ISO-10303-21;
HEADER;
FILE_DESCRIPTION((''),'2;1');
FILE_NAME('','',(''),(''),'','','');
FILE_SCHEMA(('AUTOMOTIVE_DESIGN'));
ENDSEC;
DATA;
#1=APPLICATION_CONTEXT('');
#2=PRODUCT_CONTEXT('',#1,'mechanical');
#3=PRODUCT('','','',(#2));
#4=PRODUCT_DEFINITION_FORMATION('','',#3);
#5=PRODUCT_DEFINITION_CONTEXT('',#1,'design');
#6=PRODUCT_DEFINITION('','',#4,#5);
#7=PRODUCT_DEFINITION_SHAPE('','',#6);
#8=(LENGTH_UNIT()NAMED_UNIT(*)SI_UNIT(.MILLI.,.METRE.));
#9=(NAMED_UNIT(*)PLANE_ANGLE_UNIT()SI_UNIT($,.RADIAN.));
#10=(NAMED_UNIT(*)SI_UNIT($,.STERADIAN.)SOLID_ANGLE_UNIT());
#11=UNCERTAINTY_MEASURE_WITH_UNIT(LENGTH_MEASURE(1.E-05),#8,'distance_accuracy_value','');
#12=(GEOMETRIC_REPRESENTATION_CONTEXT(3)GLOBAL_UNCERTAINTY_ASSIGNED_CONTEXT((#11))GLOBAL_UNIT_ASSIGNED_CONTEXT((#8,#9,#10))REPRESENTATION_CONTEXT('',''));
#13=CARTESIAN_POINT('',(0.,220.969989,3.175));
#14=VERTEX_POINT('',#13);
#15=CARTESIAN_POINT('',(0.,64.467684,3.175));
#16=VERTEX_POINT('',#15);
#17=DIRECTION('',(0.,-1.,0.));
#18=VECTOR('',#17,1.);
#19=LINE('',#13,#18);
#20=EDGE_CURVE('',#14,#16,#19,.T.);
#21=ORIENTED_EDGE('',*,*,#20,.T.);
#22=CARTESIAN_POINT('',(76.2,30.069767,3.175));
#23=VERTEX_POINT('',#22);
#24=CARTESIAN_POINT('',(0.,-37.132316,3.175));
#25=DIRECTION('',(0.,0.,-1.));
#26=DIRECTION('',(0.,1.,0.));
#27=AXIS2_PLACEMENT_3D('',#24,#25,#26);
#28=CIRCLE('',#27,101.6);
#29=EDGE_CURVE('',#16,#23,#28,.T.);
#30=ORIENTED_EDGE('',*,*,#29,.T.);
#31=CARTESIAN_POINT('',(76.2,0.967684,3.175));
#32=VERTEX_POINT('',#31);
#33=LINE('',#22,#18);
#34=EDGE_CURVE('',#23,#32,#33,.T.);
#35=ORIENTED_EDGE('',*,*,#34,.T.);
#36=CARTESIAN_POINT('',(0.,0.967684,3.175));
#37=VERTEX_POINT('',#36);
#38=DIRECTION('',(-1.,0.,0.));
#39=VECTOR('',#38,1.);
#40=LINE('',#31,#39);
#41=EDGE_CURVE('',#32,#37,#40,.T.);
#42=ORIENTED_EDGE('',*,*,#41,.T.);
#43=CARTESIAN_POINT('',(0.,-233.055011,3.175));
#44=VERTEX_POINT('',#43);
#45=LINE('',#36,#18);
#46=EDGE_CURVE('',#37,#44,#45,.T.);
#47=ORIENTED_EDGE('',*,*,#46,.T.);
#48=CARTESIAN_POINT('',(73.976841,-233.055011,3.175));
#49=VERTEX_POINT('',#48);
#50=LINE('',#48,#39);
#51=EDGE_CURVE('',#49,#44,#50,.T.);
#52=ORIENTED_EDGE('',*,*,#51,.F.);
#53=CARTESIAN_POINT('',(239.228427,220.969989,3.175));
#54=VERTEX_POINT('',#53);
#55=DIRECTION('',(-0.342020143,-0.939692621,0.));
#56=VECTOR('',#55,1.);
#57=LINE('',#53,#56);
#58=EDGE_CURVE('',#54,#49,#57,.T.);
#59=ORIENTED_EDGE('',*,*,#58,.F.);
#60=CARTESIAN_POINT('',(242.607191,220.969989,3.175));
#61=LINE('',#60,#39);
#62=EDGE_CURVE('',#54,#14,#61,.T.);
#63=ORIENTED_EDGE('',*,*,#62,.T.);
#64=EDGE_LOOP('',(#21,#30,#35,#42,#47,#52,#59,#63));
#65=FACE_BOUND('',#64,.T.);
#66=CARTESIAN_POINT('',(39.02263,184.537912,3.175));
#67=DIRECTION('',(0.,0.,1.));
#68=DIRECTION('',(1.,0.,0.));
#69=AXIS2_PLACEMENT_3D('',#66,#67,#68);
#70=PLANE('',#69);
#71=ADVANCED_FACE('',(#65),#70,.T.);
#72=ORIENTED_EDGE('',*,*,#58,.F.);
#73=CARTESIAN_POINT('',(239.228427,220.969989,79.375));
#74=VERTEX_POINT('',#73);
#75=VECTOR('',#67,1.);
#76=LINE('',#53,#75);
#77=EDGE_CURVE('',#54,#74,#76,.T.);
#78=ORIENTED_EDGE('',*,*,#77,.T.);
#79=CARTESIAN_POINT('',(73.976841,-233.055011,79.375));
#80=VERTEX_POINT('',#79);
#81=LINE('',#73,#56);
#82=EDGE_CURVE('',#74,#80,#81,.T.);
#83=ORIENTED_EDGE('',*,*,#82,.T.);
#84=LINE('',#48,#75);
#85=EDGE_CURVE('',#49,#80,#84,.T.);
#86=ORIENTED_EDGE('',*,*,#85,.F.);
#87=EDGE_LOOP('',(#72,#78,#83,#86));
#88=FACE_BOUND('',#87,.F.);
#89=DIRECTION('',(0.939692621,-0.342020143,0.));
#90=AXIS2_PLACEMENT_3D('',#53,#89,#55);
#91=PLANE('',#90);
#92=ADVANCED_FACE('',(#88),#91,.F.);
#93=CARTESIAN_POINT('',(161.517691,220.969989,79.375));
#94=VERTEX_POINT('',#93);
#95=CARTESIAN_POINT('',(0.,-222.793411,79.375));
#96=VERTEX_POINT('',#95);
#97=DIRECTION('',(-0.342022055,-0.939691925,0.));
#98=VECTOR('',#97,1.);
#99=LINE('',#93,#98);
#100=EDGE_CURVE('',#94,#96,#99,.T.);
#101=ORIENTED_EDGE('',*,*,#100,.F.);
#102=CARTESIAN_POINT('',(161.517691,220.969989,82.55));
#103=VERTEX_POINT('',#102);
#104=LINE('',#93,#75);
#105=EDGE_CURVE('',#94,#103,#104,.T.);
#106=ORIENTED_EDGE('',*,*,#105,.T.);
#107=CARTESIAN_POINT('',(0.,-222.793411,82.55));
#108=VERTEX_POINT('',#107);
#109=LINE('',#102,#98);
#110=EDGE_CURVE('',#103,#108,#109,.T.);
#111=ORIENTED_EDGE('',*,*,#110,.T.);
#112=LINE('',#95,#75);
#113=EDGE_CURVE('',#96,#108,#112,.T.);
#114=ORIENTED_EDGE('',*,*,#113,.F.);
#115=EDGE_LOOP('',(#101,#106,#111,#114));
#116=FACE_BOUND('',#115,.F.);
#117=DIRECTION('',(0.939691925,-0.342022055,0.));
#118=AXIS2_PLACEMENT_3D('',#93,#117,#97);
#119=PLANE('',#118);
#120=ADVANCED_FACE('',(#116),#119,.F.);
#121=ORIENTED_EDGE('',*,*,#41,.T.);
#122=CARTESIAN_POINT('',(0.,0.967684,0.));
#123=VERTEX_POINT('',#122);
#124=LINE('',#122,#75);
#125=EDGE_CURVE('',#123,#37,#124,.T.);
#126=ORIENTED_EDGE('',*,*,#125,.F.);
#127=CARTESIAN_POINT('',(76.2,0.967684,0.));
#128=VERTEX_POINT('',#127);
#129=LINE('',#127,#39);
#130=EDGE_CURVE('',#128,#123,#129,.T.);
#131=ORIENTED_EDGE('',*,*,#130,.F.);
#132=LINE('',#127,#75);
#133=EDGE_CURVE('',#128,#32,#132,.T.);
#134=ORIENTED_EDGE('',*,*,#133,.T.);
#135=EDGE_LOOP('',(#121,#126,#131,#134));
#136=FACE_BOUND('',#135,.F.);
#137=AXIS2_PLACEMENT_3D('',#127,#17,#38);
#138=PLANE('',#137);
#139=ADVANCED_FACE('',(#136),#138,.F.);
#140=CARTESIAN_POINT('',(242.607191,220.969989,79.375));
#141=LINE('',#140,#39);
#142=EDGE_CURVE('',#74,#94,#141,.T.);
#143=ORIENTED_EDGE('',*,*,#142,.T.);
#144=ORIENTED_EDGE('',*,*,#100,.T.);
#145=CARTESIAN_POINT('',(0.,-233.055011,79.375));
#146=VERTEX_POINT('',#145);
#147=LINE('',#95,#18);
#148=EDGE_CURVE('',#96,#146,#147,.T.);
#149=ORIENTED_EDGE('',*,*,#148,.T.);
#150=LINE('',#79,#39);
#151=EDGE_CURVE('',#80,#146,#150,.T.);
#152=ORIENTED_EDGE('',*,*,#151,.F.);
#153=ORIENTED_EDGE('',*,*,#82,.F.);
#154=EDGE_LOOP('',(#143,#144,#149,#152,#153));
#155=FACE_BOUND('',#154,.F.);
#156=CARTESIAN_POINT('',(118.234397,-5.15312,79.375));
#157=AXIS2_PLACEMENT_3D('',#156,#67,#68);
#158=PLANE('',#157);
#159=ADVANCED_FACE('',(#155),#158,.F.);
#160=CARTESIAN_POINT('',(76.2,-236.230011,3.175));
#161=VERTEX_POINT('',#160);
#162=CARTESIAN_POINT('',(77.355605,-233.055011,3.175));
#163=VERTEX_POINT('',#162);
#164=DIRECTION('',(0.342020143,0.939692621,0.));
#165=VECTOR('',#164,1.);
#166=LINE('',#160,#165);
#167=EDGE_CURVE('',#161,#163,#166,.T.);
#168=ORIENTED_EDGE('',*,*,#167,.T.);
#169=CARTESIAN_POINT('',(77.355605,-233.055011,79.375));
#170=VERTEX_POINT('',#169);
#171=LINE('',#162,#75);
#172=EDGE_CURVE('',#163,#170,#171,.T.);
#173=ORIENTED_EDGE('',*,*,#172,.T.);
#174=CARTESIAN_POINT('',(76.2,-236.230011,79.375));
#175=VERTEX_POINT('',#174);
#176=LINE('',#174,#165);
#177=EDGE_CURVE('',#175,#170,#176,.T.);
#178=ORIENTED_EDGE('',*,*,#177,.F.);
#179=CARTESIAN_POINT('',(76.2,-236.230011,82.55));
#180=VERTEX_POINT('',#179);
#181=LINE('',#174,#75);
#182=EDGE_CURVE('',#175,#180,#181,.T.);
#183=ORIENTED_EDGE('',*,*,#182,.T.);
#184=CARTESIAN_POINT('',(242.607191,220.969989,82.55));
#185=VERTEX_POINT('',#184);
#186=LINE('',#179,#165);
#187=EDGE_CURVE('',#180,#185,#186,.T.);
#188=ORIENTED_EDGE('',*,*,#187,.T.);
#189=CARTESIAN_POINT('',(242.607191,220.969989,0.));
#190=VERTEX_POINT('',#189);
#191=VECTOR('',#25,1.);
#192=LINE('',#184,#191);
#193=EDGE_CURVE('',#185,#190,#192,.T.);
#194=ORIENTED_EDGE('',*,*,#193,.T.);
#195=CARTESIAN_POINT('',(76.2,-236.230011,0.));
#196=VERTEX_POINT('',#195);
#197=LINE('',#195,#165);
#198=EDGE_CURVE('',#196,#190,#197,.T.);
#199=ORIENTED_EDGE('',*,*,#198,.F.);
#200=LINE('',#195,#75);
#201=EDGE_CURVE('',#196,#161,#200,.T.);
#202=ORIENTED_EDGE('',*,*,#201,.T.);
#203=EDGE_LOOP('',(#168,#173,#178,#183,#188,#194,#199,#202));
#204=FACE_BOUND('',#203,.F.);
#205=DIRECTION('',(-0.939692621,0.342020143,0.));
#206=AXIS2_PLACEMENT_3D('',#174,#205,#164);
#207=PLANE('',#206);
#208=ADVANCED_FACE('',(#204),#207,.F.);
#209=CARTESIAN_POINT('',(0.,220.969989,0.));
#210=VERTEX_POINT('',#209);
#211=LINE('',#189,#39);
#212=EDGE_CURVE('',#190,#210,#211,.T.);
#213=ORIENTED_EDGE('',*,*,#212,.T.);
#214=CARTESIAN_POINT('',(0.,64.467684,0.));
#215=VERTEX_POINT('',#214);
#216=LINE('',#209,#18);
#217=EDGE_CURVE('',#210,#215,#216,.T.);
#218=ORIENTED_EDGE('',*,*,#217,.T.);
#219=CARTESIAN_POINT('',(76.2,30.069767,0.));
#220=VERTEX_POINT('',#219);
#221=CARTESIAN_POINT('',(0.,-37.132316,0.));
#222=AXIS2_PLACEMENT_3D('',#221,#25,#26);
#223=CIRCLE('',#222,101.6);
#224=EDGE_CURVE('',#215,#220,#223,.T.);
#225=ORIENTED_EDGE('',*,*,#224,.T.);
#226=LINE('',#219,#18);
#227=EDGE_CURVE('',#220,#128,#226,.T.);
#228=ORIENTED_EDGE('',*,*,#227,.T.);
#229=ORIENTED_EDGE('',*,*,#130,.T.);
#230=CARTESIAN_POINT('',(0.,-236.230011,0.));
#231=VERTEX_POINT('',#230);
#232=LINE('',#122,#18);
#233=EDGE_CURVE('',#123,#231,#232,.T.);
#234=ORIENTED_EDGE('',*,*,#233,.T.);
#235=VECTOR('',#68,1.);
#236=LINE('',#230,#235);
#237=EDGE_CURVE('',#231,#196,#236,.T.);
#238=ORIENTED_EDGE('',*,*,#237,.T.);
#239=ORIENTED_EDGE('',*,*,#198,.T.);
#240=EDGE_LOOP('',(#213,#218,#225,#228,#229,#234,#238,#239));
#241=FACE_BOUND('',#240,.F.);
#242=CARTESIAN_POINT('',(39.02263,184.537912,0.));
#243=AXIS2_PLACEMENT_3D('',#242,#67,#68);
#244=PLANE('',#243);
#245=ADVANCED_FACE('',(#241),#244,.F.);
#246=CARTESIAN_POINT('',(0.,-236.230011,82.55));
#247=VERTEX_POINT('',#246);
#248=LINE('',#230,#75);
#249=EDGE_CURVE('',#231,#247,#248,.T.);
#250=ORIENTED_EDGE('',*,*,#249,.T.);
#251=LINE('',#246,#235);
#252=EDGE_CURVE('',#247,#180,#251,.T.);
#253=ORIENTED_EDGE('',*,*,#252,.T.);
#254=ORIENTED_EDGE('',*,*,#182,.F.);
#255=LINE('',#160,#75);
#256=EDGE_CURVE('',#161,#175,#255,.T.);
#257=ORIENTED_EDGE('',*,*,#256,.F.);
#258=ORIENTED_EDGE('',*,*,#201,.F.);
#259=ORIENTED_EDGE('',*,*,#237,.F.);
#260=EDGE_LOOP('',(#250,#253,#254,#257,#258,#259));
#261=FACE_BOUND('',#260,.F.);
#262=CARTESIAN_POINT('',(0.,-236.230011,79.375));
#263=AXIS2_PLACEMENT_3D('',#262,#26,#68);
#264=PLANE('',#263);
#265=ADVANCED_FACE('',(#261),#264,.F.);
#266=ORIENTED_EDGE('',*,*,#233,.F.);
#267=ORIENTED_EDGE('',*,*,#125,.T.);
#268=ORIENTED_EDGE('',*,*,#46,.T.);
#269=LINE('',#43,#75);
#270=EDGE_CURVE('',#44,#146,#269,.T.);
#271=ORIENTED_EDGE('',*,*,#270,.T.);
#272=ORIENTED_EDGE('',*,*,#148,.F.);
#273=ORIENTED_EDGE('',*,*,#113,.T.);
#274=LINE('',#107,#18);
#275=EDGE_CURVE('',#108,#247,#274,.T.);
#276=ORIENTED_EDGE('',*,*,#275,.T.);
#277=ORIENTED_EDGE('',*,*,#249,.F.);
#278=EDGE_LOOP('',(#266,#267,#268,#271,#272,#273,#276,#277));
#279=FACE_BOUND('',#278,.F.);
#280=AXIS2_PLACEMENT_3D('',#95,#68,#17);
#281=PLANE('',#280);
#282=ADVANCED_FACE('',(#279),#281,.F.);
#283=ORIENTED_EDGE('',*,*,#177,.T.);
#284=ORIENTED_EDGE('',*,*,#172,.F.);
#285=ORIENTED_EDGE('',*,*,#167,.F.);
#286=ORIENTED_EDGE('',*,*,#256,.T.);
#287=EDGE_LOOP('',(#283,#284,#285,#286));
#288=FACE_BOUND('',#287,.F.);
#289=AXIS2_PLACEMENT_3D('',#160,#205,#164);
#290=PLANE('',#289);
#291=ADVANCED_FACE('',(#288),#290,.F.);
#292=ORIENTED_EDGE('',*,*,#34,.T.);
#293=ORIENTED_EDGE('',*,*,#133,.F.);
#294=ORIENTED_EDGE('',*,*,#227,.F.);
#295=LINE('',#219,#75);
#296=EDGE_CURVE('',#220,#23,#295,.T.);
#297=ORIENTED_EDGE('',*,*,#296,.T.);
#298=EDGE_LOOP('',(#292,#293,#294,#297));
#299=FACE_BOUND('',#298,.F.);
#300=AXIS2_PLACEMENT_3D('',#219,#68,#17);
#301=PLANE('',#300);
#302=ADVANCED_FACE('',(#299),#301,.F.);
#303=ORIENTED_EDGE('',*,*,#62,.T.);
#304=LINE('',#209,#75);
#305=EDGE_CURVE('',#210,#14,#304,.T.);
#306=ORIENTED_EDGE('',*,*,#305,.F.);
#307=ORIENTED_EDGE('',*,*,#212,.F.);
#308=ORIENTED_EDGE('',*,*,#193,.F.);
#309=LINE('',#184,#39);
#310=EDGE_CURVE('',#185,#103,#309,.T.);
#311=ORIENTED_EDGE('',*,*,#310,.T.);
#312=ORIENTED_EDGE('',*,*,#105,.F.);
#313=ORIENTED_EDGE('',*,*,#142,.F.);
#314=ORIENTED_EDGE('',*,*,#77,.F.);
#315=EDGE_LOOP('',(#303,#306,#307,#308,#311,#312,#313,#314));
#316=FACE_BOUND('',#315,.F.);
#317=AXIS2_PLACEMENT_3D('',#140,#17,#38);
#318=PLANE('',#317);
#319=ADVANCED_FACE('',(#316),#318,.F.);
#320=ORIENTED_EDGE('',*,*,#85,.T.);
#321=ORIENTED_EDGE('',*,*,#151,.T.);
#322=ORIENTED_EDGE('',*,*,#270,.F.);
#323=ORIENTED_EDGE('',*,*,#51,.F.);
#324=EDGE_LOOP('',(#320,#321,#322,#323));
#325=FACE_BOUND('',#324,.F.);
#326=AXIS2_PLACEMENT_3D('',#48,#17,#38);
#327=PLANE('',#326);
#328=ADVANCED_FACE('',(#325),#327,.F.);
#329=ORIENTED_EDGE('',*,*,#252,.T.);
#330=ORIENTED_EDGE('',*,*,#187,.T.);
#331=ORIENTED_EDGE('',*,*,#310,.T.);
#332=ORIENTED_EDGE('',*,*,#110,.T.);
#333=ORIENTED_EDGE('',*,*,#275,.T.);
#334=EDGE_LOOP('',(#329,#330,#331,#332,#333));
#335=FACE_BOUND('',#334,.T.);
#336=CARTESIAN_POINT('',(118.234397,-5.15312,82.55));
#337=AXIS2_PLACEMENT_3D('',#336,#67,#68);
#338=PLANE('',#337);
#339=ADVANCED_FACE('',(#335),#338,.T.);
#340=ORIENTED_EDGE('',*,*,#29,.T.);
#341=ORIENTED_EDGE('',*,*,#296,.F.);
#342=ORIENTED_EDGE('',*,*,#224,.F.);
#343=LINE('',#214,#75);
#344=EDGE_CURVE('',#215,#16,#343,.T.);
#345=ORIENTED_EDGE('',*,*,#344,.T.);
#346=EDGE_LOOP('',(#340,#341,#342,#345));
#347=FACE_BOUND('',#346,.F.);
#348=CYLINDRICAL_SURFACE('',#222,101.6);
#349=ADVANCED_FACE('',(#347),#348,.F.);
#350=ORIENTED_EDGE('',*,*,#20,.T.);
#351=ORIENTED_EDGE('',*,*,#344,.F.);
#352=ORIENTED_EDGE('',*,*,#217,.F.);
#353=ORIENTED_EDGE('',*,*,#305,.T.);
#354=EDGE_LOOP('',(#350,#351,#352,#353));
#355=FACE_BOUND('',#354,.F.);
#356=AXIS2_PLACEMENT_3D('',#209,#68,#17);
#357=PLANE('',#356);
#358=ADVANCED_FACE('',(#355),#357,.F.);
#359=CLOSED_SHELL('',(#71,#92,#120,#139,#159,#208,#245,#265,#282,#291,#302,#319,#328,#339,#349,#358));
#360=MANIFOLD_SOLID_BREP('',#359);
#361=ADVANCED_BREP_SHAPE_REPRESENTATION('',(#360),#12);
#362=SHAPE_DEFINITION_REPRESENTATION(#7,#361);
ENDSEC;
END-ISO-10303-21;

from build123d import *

# Parameters (mm, degrees)
F1_DEPTH = 3.175
F3_DEPTH = 76.2
F5_DEPTH = 3.175


with BuildPart() as f1:
    # F0 (on Top) → F1 (new body)
    with BuildSketch(Plane.XY):
        with BuildLine():
            ThreePointArc((0, 152.4), (23.5583821583, 150.5681328505), (46.5504148891, 145.1165699486))
            Line((46.5504148891, 145.1165699486), (76.2, 145.1165699486))
            Line((76.2, 145.1165699486), (76.2, 220.9699887776))
            Line((76.2, 220.9699887776), (0, 220.9699887776))
            Line((0, 220.9699887776), (0, 152.4))
        make_face()
        with BuildLine():
            Line((0, 145.1165699486), (46.5504148891, 145.1165699486))
            ThreePointArc((46.5504148891, 145.1165699486), (23.5583821583, 150.5681328505), (0, 152.4))
            Line((0, 152.4), (0, 145.1165699486))
        make_face()
        with BuildLine():
            Line((76.2, 79.9558987255), (76.2, 131.9822715367))
            ThreePointArc((76.2, 131.9822715367), (61.7255501195, 139.3402901621), (46.5504148891, 145.1165699486))
            Line((46.5504148891, 145.1165699486), (0, 145.1165699486))
            Line((0, 145.1165699486), (0, 102.5676841179))
            ThreePointArc((0, 102.5676841179), (39.7420836099, 96.795488514), (76.2, 79.9558987255))
        make_face()
        with BuildLine():
            Line((76.2, 30.069767419), (76.2, 79.9558987255))
            ThreePointArc((76.2, 79.9558987255), (39.7420836099, 96.795488514), (0, 102.5676841179))
            Line((0, 102.5676841179), (0, 64.4676841179))
            ThreePointArc((0, 64.4676841179), (41.802083301, 55.469767419), (76.2, 30.069767419))
        make_face()
        with BuildLine():
            ThreePointArc((134.4041666021, 0.9676841179), (112.4647200648, 45.7397345375), (76.2, 79.9558987255))
            Line((76.2, 79.9558987255), (76.2, 30.069767419))
            ThreePointArc((76.2, 30.069767419), (86.426594721, 16.2812004311), (94.1857207861, 0.9676841179))
            Line((94.1857207861, 0.9676841179), (134.4041666021, 0.9676841179))
        make_face()
        with BuildLine():
            ThreePointArc((94.1857207861, 0.9676841179), (86.426594721, 16.2812004311), (76.2, 30.069767419))
            Line((76.2, 30.069767419), (76.2, 0.9676841179))
            Line((76.2, 0.9676841179), (94.1857207861, 0.9676841179))
        make_face()
        with BuildLine():
            Line((94.1857207861, 0.9676841179), (76.2, 0.9676841179))
            Line((76.2, 0.9676841179), (76.2, -104.3343991831))
            ThreePointArc((76.2, -104.3343991831), (95.0380976241, -73.0533403663), (101.6, -37.1323158821))
            ThreePointArc((101.6, -37.1323158821), (99.7292064339, -17.7249620165), (94.1857207861, 0.9676841179))
        make_face()
        with BuildLine():
            ThreePointArc((0, -152.4), (39.4440224736, -147.2070959265), (76.2, -131.9822715367))
            Line((76.2, -131.9822715367), (76.2, -104.3343991831))
            ThreePointArc((76.2, -104.3343991831), (41.802083301, -129.7343991831), (0, -138.7323158821))
            Line((0, -138.7323158821), (0, -152.4))
        make_face()
        with BuildLine():
            Line((76.2, -104.3343991831), (76.2, 0.9676841179))
            Line((76.2, 0.9676841179), (0, 0.9676841179))
            Line((0, 0.9676841179), (0, -138.7323158821))
            ThreePointArc((0, -138.7323158821), (41.802083301, -129.7343991831), (76.2, -104.3343991831))
        make_face()
        with BuildLine():
            Line((76.2, -154.2205304897), (76.2, -131.9822715367))
            ThreePointArc((76.2, -131.9822715367), (39.4440224736, -147.2070959265), (0, -152.4))
            Line((0, -152.4), (0, -166.4440847683))
            Line((0, -166.4440847683), (52.8635642719, -166.4440847683))
            ThreePointArc((52.8635642719, -166.4440847683), (64.8205578921, -160.8836200148), (76.2, -154.2205304897))
        make_face()
        with BuildLine():
            Line((0, -236.2300112224), (76.2, -236.2300112224))
            Line((76.2, -236.2300112224), (76.2, -166.4440847683))
            Line((76.2, -166.4440847683), (52.8635642719, -166.4440847683))
            ThreePointArc((52.8635642719, -166.4440847683), (26.9372965106, -174.2106586525), (0, -176.8323158821))
            Line((0, -176.8323158821), (0, -236.2300112224))
        make_face()
        Polygon((76.2, -236.2300112224), (101.6, -166.4440847683), (76.2, -166.4440847683), align=None)
        with BuildLine():
            Line((76.2, -166.4440847683), (76.2, -154.2205304897))
            ThreePointArc((76.2, -154.2205304897), (64.8205578921, -160.8836200148), (52.8635642719, -166.4440847683))
            Line((52.8635642719, -166.4440847683), (76.2, -166.4440847683))
        make_face()
        with BuildLine():
            ThreePointArc((0, -176.8323158821), (26.9372965106, -174.2106586525), (52.8635642719, -166.4440847683))
            Line((52.8635642719, -166.4440847683), (0, -166.4440847683))
            Line((0, -166.4440847683), (0, -176.8323158821))
        make_face()
        with BuildLine():
            Line((101.6, -166.4440847683), (131.2750589092, -84.9125304942))
            ThreePointArc((131.2750589092, -84.9125304942), (109.372641612, -124.0444281957), (76.2, -154.2205304897))
            Line((76.2, -154.2205304897), (76.2, -166.4440847683))
            Line((76.2, -166.4440847683), (101.6, -166.4440847683))
        make_face()
        with BuildLine():
            ThreePointArc((131.2750589092, -84.9125304942), (133.9529126579, -76.7896883426), (136.1286754731, -68.5181998738))
            ThreePointArc((136.1286754731, -68.5181998738), (110.8051835658, -104.6325537056), (76.2, -131.9822715367))
            Line((76.2, -131.9822715367), (76.2, -154.2205304897))
            ThreePointArc((76.2, -154.2205304897), (109.372641612, -124.0444281957), (131.2750589092, -84.9125304942))
        make_face()
        with BuildLine():
            ThreePointArc((76.2, -131.9822715367), (110.8051835658, -104.6325537056), (136.1286754731, -68.5181998738))
            ThreePointArc((136.1286754731, -68.5181998738), (138.8042974183, -52.9265242574), (139.7, -37.1323158821))
            ThreePointArc((139.7, -37.1323158821), (138.3697078018, -17.8991683798), (134.4041666021, 0.9676841179))
            Line((134.4041666021, 0.9676841179), (94.1857207861, 0.9676841179))
            ThreePointArc((94.1857207861, 0.9676841179), (99.7292064339, -17.7249620165), (101.6, -37.1323158821))
            ThreePointArc((101.6, -37.1323158821), (95.0380976241, -73.0533403663), (76.2, -104.3343991831))
            Line((76.2, -104.3343991831), (76.2, -131.9822715367))
        make_face()
        with BuildLine():
            ThreePointArc((143.2091555839, -52.1238693589), (150.0847016038, -26.4639820229), (152.4, 0))
            ThreePointArc((152.4, 0), (131.9822715367, 76.2), (76.2, 131.9822715367))
            Line((76.2, 131.9822715367), (76.2, 79.9558987255))
            ThreePointArc((76.2, 79.9558987255), (112.4647200648, 45.7397345375), (134.4041666021, 0.9676841179))
            ThreePointArc((134.4041666021, 0.9676841179), (138.3697078018, -17.8991683798), (139.7, -37.1323158821))
            ThreePointArc((139.7, -37.1323158821), (138.8042974183, -52.9265242574), (136.1286754731, -68.5181998738))
            ThreePointArc((136.1286754731, -68.5181998738), (139.9092544586, -60.4248336103), (143.2091555839, -52.1238693589))
        make_face()
        with BuildLine():
            ThreePointArc((76.2, 131.9822715367), (131.9822715367, 76.2), (152.4, 0))
            ThreePointArc((152.4, 0), (150.0847016038, -26.4639820229), (143.2091555839, -52.1238693589))
            Line((143.2091555839, -52.1238693589), (242.6071911065, 220.9699887776))
            Line((242.6071911065, 220.9699887776), (76.2, 145.1165699486))
            Line((76.2, 145.1165699486), (76.2, 131.9822715367))
        make_face()
        with BuildLine():
            ThreePointArc((46.5504148891, 145.1165699486), (61.7255501195, 139.3402901621), (76.2, 131.9822715367))
            Line((76.2, 131.9822715367), (76.2, 145.1165699486))
            Line((76.2, 145.1165699486), (46.5504148891, 145.1165699486))
        make_face()
        Polygon((76.2, 220.9699887776), (76.2, 145.1165699486), (242.6071911065, 220.9699887776), align=None)
        with BuildLine():
            Line((131.2750589092, -84.9125304942), (143.2091555839, -52.1238693589))
            ThreePointArc((143.2091555839, -52.1238693589), (139.9092544586, -60.4248336103), (136.1286754731, -68.5181998738))
            ThreePointArc((136.1286754731, -68.5181998738), (133.9529126579, -76.7896883426), (131.2750589092, -84.9125304942))
        make_face()
    extrude(amount=F1_DEPTH)

    # F2 (on face) → F3 (join)
    with BuildSketch(Plane.XY.offset(3.175)):
        Polygon((242.6071911065, 220.9699887776), (239.2284266789, 220.9699887776), (73.9768410662, -233.0550112224), (77.3556054938, -233.0550112224), align=None)
        Polygon((77.3556054938, -233.0550112224), (73.9768410662, -233.0550112224), (72.8212355724, -236.2300112224), (76.2, -236.2300112224), align=None)
        Polygon((72.8212355724, -236.2300112224), (73.9768410662, -233.0550112224), (0, -233.0550112224), (0, -236.2300112224), align=None)
    extrude(amount=F3_DEPTH)

    # F4 (on face) → F5 (join)
    with BuildSketch(Plane.XY.offset(79.375)):
        Polygon((239.2284266789, 220.9699887776), (161.5176911065, 220.9699887776), (0, -222.7934112224), (0, -233.0550112224), (73.9768410662, -233.0550112224), align=None)
        Polygon((242.6071911065, 220.9699887776), (239.2284266789, 220.9699887776), (73.9768410662, -233.0550112224), (0, -233.0550112224), (0, -236.2300112224), (76.2, -236.2300112224), align=None)
    extrude(amount=F5_DEPTH)


solid = f1.part
